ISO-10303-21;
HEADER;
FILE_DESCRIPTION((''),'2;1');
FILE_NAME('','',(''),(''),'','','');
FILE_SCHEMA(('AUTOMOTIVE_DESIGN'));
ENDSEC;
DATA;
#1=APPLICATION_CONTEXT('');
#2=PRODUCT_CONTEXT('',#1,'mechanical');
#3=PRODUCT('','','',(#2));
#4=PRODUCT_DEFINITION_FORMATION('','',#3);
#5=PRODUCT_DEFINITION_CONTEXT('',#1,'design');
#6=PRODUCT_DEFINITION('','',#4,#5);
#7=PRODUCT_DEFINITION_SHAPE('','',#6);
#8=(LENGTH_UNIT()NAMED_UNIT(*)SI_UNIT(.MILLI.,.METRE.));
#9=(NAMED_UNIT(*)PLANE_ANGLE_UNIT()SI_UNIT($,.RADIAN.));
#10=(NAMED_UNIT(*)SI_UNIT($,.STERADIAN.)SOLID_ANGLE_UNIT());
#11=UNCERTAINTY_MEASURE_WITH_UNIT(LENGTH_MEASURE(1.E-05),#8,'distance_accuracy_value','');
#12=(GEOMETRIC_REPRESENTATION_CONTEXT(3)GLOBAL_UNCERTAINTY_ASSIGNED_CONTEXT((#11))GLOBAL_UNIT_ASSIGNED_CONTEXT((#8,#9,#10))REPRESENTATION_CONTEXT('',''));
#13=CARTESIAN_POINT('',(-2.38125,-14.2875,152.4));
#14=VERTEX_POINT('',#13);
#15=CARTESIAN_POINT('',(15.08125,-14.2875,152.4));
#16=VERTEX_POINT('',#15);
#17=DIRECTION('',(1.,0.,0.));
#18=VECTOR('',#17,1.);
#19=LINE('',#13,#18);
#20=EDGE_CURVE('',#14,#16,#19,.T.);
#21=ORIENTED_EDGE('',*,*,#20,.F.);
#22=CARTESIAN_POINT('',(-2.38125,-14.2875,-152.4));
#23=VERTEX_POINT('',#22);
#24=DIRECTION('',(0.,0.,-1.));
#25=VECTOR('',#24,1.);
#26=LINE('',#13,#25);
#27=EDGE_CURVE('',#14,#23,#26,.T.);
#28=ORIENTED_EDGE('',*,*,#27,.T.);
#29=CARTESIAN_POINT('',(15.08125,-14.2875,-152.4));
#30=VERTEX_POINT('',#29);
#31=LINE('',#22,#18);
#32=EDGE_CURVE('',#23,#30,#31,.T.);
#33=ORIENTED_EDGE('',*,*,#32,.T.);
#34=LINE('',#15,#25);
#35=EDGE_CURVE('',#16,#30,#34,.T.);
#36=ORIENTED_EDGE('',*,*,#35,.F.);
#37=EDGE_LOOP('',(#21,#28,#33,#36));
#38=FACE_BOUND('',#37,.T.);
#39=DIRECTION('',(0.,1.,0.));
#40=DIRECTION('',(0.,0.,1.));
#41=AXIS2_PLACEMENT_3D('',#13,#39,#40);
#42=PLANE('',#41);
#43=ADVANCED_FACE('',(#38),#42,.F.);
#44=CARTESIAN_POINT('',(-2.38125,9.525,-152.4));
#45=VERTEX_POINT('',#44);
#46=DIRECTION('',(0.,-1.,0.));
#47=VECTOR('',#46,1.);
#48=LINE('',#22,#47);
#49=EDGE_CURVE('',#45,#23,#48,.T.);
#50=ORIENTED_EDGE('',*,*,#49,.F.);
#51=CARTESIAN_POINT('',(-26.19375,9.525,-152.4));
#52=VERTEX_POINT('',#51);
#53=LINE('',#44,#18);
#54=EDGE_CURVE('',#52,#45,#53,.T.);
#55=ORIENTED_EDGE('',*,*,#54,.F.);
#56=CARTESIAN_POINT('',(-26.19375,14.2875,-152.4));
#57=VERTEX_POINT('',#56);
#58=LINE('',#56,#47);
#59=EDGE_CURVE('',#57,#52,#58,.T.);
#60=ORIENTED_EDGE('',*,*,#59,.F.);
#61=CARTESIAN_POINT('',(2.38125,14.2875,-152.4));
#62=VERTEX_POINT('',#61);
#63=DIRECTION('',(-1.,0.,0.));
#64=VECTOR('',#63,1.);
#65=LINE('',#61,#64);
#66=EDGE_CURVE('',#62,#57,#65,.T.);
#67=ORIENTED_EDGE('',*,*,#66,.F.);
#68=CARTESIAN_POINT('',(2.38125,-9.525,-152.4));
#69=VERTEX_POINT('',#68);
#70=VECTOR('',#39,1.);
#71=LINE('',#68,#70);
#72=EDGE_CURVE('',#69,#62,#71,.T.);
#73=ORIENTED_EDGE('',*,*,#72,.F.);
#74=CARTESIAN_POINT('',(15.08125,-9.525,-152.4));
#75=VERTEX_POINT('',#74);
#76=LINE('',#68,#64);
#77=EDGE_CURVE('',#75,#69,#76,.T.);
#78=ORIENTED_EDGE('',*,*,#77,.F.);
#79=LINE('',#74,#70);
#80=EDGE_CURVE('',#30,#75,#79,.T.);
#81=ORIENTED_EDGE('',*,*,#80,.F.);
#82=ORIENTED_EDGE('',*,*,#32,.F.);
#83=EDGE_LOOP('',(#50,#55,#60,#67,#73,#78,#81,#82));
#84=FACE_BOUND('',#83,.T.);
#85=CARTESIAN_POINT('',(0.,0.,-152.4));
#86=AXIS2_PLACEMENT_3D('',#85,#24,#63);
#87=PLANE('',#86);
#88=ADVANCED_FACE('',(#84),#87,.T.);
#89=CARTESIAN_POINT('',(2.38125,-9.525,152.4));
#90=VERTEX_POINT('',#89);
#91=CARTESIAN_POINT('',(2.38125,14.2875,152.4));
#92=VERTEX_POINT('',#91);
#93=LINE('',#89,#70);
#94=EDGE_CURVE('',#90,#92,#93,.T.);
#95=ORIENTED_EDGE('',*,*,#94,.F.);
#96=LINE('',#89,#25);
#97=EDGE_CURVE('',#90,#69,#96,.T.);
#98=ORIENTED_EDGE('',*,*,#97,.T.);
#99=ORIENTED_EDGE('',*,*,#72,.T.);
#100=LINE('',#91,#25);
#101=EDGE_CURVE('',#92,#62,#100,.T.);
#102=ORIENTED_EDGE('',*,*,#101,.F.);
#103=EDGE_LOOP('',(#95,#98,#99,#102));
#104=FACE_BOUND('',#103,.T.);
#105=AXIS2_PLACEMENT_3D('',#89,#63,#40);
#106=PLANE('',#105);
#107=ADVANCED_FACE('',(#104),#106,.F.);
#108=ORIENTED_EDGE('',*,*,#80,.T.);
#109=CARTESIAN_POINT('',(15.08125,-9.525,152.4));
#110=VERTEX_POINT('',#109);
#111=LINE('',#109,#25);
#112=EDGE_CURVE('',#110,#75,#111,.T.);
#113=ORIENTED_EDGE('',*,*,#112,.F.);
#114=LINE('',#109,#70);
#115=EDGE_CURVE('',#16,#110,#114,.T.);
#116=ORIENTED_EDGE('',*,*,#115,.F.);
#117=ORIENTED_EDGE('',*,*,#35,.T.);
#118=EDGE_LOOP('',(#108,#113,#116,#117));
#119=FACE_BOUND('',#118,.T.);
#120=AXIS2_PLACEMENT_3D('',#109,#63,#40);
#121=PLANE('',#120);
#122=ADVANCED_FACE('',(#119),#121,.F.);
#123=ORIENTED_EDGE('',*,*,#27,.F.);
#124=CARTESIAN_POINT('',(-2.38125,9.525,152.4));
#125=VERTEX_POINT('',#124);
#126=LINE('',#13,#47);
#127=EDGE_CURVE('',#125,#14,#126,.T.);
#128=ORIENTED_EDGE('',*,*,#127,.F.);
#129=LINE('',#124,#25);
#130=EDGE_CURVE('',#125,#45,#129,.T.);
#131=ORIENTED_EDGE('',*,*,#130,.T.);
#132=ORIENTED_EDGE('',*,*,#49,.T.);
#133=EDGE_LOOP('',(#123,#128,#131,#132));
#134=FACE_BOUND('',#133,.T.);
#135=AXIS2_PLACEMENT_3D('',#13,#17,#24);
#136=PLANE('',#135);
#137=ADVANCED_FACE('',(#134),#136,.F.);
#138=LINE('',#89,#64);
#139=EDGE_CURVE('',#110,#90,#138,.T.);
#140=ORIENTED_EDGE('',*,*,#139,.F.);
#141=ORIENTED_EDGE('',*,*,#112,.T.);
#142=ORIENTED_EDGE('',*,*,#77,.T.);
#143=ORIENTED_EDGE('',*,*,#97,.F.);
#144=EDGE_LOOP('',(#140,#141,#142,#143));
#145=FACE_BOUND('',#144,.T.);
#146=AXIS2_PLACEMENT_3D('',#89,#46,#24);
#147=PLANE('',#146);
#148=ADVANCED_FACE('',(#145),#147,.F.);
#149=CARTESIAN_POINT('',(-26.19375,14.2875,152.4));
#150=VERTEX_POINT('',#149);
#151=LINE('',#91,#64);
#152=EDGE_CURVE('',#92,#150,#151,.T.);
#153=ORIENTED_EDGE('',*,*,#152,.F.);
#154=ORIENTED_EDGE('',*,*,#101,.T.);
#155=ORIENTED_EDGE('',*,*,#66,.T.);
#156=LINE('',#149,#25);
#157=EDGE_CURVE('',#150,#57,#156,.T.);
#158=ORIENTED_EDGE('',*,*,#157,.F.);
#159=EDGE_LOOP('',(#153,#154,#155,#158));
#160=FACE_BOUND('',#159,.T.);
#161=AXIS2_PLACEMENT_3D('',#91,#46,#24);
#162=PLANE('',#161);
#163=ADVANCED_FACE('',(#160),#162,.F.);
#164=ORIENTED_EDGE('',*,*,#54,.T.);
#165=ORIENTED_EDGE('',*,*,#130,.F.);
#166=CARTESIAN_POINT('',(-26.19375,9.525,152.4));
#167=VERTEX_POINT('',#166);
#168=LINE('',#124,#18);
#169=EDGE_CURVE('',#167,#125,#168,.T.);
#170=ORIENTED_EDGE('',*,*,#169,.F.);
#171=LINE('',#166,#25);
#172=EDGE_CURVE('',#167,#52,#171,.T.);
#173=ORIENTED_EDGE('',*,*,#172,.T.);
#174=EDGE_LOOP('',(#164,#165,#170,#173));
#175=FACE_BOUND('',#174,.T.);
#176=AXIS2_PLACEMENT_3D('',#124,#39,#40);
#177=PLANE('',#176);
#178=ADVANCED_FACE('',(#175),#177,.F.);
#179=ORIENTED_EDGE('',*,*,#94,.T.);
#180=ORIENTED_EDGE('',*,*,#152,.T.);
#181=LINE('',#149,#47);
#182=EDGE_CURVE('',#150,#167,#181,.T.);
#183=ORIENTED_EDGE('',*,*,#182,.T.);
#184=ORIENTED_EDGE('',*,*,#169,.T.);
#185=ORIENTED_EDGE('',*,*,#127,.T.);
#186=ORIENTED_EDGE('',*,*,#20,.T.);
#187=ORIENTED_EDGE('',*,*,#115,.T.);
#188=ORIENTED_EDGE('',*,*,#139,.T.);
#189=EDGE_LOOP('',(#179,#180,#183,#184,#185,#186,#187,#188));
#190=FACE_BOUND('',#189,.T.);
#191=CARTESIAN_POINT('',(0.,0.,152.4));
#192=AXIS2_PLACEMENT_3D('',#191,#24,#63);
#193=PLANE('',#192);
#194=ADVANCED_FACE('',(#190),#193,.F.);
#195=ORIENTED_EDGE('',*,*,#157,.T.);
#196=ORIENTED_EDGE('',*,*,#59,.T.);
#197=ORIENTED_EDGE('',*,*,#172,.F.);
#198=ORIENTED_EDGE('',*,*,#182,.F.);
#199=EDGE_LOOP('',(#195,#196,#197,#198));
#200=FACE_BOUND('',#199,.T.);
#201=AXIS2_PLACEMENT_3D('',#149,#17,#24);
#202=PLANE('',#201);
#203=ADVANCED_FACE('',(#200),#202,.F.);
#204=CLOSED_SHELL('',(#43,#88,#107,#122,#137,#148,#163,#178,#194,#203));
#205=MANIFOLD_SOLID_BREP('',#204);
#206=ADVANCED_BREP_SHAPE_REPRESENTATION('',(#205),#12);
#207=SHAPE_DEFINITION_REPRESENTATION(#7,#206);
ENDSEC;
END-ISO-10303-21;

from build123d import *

# Parameters (mm, degrees)
BOSS_EXTRUDE1_DEPTH      = 152.4
BOSS_EXTRUDE1_DEPTH_BACK = 152.4


with BuildPart() as part:
    # Sketch3 → Boss-Extrude1 (new, two sides: drawn at the far end of the back side and taken through both)
    with BuildSketch(Plane.XY.offset(-BOSS_EXTRUDE1_DEPTH_BACK)):
        Polygon((15.08125, -9.525), (15.08125, -14.2875), (-2.38125, -14.2875), (-2.38125, 9.525), (-26.19375, 9.525), (-26.19375, 14.2875), (2.38125, 14.2875), (2.38125, -9.525), align=None)
    extrude(amount=BOSS_EXTRUDE1_DEPTH + BOSS_EXTRUDE1_DEPTH_BACK)


solid = part.part
